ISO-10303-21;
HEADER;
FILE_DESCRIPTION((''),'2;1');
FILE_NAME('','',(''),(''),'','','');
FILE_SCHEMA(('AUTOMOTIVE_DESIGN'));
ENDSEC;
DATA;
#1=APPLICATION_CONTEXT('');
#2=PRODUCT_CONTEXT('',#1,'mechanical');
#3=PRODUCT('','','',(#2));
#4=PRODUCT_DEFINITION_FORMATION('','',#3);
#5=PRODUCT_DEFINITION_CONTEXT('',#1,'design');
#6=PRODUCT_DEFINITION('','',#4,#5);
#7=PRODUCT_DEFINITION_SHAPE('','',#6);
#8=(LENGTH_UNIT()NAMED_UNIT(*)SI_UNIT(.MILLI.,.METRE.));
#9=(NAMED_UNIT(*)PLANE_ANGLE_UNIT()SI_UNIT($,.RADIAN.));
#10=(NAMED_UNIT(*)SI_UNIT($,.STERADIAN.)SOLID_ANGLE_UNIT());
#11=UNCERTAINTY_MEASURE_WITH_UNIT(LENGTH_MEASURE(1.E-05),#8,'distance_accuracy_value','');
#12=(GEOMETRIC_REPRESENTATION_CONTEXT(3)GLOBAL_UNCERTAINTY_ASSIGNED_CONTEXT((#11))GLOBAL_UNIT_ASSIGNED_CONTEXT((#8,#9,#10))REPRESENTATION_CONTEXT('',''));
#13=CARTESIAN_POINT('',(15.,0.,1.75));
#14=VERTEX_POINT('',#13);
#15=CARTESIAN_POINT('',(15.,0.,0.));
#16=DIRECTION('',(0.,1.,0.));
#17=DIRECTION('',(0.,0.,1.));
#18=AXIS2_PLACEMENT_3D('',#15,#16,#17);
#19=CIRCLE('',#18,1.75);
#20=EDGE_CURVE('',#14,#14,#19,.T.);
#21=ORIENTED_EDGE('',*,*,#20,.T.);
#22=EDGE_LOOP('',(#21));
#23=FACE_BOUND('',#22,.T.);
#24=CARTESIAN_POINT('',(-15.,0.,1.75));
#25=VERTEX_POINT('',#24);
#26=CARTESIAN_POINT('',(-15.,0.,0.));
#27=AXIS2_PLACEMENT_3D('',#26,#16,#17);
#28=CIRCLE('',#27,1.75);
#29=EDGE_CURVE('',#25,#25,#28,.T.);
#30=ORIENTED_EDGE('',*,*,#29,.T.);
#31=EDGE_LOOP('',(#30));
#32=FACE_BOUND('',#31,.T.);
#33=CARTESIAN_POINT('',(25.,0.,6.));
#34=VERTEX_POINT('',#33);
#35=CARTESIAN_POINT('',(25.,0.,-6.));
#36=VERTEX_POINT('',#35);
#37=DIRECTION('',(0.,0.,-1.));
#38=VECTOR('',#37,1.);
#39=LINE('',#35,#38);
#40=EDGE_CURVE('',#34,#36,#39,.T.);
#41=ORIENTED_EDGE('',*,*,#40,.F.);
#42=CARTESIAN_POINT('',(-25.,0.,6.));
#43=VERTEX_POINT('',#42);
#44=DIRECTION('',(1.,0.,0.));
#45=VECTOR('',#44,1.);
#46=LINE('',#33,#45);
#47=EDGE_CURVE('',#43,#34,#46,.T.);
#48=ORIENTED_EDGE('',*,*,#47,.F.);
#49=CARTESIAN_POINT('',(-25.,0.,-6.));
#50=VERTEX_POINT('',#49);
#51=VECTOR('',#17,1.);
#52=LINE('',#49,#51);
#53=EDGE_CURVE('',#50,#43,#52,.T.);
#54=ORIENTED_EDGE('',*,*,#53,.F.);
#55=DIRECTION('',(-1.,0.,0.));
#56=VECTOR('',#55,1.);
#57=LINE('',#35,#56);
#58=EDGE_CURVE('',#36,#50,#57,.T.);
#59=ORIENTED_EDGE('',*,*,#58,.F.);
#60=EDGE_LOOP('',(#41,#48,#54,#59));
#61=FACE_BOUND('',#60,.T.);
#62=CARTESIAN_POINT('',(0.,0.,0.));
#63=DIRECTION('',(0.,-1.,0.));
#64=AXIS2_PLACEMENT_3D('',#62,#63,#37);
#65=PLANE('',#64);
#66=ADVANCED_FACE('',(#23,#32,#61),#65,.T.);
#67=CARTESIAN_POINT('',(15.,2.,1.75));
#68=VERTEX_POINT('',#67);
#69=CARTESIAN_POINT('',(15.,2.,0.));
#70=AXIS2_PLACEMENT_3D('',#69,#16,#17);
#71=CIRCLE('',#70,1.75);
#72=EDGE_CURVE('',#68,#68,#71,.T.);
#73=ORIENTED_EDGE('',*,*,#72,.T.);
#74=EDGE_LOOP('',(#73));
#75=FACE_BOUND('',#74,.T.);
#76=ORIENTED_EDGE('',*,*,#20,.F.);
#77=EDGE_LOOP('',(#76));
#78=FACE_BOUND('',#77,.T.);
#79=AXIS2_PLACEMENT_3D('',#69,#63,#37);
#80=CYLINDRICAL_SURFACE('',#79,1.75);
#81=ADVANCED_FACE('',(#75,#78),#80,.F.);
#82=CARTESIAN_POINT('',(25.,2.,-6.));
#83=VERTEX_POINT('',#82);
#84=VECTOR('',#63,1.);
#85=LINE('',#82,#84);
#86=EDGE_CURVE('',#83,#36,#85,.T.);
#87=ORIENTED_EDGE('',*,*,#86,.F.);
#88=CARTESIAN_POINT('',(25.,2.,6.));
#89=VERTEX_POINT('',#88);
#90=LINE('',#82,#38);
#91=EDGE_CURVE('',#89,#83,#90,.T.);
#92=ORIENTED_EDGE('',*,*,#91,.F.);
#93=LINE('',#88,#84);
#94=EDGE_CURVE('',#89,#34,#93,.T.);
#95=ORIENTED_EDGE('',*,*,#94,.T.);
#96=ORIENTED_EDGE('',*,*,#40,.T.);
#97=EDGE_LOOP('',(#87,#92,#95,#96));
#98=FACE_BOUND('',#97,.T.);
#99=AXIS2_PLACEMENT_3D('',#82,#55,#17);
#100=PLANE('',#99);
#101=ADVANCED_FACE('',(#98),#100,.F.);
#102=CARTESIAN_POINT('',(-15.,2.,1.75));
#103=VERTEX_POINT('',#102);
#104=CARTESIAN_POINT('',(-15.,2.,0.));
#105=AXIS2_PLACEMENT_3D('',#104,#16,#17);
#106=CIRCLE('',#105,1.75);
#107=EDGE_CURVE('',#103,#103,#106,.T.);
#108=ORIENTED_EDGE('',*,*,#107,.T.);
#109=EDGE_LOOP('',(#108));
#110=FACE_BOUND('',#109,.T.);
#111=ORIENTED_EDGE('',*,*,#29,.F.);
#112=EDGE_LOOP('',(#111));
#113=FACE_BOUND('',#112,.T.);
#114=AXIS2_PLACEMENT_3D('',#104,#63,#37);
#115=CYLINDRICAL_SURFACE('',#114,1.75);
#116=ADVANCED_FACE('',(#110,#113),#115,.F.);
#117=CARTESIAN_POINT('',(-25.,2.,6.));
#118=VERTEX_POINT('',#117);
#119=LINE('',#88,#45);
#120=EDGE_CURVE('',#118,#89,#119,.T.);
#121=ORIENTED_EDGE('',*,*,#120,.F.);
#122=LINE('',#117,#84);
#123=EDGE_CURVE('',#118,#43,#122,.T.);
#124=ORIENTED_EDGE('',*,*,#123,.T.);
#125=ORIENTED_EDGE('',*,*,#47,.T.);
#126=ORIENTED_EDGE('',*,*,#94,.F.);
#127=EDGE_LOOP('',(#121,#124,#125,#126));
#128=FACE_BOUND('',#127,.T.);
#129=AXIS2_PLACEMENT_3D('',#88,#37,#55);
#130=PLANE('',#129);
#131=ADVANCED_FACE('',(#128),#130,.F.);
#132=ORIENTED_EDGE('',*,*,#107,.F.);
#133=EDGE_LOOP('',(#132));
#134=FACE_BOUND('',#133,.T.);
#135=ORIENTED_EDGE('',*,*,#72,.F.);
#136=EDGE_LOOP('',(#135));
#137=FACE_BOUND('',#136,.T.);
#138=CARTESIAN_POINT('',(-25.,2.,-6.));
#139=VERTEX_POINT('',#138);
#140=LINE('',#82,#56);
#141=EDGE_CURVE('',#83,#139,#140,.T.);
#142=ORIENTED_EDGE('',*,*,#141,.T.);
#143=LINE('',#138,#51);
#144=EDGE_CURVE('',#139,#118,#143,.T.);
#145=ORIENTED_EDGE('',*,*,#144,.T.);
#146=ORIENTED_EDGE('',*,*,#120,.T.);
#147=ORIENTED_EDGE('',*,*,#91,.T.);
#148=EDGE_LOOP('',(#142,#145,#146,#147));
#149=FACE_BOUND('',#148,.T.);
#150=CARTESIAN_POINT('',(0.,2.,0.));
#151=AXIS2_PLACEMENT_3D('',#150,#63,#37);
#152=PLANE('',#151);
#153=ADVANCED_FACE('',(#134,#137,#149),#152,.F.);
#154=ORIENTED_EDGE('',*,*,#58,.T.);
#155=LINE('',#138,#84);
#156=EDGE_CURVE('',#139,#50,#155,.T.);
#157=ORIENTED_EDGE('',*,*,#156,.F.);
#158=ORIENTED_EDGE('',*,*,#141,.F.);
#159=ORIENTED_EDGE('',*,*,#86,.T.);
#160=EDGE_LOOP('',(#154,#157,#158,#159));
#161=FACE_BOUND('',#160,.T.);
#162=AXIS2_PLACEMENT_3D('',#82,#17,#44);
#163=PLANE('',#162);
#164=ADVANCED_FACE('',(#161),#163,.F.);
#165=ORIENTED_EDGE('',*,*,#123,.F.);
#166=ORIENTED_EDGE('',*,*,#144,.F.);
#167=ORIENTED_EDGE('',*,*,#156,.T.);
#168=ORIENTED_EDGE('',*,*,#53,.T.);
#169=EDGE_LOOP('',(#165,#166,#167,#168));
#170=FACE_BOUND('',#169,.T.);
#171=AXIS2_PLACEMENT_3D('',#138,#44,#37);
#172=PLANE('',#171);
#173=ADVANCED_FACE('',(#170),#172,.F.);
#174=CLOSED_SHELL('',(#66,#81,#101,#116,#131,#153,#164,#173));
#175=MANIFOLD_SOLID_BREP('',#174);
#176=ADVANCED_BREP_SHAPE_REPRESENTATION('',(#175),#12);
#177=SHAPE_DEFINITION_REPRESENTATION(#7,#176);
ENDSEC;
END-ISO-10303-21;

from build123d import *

# Parameters (mm, degrees)
ESBO_O1_W                = 50
ESBO_O1_H                = 12
ESBO_O1_R                = 1.75
RESSALTO_EXTRUS_O1_DEPTH = 2


with BuildPart() as part:
    # Esboço1 → Ressalto-extrusão1 (new body)
    with BuildSketch(Plane(origin=(0, 0, 0), x_dir=(1, 0, 0), z_dir=(0, 1, 0))):
        Rectangle(ESBO_O1_W, ESBO_O1_H)
        with Locations(Location((-15, 0, 0), (0, 0, 270))):
            Circle(ESBO_O1_R, mode=Mode.SUBTRACT)
        with Locations(Location((15, 0, 0), (0, 0, 270))):
            Circle(ESBO_O1_R, mode=Mode.SUBTRACT)
    extrude(amount=RESSALTO_EXTRUS_O1_DEPTH)


solid = part.part
